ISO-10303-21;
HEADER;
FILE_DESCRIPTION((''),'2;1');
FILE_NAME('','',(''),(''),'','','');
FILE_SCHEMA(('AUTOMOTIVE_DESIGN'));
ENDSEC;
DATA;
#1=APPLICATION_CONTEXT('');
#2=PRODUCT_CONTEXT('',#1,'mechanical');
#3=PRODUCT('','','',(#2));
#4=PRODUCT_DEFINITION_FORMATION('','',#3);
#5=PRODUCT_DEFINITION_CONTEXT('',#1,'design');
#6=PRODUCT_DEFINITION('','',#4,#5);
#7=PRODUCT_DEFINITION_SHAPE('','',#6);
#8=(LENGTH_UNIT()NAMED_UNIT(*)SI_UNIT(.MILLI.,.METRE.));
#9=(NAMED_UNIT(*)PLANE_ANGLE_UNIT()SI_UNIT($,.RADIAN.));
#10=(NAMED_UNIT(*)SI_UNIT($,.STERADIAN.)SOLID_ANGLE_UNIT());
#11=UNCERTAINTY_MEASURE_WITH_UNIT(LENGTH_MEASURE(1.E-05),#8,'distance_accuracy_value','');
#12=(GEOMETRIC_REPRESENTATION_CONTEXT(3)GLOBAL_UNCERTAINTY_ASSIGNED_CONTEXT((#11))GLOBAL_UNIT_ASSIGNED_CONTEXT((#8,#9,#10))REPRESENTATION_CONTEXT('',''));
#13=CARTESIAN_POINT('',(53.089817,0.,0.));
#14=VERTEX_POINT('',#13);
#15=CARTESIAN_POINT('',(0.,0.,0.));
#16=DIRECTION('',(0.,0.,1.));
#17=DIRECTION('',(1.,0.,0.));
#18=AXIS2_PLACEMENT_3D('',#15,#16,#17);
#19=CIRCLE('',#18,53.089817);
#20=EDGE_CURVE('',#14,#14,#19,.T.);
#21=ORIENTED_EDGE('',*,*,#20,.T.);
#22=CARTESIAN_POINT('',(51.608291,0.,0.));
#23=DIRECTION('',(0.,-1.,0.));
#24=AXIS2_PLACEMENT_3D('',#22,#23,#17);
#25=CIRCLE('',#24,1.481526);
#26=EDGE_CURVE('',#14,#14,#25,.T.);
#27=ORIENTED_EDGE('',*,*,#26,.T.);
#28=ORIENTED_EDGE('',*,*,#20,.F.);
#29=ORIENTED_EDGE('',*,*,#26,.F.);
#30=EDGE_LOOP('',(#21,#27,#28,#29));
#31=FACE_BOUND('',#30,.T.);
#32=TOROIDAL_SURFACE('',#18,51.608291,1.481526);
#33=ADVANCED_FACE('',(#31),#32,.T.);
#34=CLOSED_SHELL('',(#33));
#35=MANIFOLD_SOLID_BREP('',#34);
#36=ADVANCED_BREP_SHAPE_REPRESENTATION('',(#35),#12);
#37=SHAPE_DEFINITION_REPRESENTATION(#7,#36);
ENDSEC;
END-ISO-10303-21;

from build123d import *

# Parameters (mm, degrees)
F1_R = 1.481526


with BuildPart() as f2:
    # F2: sweep along a path in F0
    with BuildLine(Plane.XY) as f2_path:
        CenterArc((0, 0), 51.615718, 0, 360)
    # F1 (on Right) → F2 (sweep)
    with BuildSketch(Plane.YZ):
        with Locations((51.608291, 0)):
            Circle(F1_R)
    sweep(path=f2_path.line)


solid = f2.part
